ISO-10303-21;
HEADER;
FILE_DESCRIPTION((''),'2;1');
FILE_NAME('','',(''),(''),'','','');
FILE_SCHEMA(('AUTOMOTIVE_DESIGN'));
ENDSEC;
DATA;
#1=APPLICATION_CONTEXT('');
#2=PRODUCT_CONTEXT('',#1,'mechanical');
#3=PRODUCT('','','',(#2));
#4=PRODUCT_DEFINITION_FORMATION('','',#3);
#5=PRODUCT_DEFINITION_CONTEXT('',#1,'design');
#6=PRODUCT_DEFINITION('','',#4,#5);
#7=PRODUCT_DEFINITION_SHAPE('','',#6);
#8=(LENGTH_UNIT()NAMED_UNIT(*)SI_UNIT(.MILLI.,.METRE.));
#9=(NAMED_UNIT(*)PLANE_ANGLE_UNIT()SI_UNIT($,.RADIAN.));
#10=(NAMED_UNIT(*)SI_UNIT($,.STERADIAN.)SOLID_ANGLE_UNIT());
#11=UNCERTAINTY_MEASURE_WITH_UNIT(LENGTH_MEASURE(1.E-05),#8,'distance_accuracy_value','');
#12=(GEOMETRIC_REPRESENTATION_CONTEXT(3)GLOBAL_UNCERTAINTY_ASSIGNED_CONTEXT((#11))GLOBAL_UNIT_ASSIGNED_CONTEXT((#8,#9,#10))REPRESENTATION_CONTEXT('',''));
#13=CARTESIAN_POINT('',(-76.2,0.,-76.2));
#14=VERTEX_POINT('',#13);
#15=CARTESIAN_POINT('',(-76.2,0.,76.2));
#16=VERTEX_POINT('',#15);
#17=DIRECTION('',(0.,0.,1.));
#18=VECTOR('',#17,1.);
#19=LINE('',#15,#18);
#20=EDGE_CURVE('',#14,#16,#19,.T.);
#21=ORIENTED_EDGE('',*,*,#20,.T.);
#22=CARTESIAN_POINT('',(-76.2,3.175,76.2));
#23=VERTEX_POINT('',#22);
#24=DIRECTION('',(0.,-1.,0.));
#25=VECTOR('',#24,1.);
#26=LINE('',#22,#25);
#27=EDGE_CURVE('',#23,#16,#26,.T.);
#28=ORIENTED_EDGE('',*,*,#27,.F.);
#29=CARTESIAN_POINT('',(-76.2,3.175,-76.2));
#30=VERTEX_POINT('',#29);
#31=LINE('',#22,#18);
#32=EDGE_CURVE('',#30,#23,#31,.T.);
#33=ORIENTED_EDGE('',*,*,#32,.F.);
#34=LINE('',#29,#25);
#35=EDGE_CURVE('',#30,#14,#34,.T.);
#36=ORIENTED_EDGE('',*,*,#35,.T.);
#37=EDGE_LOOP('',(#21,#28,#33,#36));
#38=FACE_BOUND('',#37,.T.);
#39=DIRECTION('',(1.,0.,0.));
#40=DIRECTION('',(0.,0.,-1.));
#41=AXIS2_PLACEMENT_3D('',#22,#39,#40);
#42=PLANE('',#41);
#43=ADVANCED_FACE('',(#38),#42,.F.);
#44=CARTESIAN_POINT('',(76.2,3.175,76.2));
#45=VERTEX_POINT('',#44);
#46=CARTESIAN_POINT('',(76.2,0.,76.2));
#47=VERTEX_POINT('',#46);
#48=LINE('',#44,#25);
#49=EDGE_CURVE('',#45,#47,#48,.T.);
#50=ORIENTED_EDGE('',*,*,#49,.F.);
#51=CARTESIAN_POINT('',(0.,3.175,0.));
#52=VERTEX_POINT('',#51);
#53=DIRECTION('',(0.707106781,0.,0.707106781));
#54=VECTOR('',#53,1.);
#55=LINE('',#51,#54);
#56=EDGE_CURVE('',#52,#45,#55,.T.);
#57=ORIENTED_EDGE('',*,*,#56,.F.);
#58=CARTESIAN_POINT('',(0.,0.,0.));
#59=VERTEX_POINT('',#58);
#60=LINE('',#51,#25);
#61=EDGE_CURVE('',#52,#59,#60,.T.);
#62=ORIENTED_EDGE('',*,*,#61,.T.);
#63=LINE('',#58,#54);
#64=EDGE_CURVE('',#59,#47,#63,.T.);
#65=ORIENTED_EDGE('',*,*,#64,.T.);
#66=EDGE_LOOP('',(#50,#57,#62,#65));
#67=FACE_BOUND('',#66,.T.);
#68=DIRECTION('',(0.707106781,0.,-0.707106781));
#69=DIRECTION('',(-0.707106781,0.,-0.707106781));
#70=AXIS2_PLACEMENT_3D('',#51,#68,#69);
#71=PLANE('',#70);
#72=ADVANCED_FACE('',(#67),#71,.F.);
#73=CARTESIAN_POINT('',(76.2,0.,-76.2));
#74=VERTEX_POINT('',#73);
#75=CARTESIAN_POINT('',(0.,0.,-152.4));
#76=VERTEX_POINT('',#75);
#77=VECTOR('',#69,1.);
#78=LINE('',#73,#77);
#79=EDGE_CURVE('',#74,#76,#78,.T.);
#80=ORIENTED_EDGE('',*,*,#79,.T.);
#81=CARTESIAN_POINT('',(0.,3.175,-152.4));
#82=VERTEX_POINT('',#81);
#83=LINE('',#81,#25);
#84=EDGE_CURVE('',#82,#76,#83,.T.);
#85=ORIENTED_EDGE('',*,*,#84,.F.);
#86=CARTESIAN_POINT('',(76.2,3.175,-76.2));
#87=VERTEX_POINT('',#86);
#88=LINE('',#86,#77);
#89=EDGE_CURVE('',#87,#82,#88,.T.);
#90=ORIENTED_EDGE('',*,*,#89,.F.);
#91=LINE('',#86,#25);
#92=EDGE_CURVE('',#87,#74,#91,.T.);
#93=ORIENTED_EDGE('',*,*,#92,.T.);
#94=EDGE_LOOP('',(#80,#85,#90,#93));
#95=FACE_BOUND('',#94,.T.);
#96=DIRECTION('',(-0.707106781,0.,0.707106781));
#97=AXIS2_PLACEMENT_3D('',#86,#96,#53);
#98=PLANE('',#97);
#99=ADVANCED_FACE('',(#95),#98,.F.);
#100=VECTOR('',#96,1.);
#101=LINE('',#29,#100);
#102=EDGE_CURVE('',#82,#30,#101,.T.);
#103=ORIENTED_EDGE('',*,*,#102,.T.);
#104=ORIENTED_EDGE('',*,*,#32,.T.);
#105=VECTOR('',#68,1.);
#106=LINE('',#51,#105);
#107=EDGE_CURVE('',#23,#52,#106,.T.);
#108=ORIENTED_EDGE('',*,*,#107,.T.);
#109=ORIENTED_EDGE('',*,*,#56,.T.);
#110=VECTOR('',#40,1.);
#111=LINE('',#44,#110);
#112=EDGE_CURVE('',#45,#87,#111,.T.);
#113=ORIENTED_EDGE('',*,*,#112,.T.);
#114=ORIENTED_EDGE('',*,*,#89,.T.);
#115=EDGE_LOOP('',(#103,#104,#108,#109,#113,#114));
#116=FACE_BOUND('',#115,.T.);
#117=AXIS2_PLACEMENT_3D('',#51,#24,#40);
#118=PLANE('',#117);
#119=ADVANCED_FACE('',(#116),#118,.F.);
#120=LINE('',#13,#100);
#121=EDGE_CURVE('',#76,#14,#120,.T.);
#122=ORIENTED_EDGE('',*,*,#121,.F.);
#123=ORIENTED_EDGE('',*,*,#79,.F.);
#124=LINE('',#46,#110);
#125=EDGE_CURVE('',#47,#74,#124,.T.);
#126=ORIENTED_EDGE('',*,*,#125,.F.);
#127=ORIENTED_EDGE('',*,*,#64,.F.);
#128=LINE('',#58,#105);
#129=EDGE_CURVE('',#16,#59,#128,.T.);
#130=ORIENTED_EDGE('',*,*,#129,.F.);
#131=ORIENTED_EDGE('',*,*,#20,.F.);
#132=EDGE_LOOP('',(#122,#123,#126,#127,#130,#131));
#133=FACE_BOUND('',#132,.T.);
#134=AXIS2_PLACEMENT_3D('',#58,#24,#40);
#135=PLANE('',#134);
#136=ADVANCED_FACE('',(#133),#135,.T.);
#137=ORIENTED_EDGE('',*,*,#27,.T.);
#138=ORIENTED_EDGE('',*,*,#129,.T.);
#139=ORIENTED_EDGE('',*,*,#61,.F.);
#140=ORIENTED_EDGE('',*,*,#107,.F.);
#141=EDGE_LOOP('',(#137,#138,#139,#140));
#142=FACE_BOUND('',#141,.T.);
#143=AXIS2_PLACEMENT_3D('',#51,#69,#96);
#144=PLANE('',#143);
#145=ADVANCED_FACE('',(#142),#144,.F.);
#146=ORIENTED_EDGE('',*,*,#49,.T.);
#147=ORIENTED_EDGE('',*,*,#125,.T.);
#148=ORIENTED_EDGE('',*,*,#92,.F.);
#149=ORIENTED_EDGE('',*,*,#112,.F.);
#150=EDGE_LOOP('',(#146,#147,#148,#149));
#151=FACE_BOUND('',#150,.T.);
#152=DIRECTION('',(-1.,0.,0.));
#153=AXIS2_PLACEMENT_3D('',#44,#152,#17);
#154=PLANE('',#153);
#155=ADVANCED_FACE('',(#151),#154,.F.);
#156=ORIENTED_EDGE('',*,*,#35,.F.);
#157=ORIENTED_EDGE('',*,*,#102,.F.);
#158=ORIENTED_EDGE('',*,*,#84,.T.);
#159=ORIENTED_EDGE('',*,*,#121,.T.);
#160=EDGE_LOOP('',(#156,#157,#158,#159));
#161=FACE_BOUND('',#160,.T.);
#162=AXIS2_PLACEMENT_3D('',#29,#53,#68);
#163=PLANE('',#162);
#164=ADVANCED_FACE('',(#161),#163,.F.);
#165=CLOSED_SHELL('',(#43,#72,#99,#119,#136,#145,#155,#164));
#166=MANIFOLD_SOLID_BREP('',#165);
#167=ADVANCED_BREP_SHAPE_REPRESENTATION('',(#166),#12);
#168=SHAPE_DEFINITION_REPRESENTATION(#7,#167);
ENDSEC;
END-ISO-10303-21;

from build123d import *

# Parameters (mm, degrees)
BOSS_EXTRUDE1_DEPTH = 3.175


with BuildPart() as part:
    # Sketch1 → Boss-Extrude1 (new body)
    with BuildSketch(Plane(origin=(0, 0, 0), x_dir=(1, 0, 0), z_dir=(0, 1, 0))):
        Polygon((0, 0), (76.2, -76.2), (76.2, 76.2), (0, 152.4), (-76.2, 76.2), (-76.2, -76.2), align=None)
    extrude(amount=BOSS_EXTRUDE1_DEPTH)


solid = part.part
